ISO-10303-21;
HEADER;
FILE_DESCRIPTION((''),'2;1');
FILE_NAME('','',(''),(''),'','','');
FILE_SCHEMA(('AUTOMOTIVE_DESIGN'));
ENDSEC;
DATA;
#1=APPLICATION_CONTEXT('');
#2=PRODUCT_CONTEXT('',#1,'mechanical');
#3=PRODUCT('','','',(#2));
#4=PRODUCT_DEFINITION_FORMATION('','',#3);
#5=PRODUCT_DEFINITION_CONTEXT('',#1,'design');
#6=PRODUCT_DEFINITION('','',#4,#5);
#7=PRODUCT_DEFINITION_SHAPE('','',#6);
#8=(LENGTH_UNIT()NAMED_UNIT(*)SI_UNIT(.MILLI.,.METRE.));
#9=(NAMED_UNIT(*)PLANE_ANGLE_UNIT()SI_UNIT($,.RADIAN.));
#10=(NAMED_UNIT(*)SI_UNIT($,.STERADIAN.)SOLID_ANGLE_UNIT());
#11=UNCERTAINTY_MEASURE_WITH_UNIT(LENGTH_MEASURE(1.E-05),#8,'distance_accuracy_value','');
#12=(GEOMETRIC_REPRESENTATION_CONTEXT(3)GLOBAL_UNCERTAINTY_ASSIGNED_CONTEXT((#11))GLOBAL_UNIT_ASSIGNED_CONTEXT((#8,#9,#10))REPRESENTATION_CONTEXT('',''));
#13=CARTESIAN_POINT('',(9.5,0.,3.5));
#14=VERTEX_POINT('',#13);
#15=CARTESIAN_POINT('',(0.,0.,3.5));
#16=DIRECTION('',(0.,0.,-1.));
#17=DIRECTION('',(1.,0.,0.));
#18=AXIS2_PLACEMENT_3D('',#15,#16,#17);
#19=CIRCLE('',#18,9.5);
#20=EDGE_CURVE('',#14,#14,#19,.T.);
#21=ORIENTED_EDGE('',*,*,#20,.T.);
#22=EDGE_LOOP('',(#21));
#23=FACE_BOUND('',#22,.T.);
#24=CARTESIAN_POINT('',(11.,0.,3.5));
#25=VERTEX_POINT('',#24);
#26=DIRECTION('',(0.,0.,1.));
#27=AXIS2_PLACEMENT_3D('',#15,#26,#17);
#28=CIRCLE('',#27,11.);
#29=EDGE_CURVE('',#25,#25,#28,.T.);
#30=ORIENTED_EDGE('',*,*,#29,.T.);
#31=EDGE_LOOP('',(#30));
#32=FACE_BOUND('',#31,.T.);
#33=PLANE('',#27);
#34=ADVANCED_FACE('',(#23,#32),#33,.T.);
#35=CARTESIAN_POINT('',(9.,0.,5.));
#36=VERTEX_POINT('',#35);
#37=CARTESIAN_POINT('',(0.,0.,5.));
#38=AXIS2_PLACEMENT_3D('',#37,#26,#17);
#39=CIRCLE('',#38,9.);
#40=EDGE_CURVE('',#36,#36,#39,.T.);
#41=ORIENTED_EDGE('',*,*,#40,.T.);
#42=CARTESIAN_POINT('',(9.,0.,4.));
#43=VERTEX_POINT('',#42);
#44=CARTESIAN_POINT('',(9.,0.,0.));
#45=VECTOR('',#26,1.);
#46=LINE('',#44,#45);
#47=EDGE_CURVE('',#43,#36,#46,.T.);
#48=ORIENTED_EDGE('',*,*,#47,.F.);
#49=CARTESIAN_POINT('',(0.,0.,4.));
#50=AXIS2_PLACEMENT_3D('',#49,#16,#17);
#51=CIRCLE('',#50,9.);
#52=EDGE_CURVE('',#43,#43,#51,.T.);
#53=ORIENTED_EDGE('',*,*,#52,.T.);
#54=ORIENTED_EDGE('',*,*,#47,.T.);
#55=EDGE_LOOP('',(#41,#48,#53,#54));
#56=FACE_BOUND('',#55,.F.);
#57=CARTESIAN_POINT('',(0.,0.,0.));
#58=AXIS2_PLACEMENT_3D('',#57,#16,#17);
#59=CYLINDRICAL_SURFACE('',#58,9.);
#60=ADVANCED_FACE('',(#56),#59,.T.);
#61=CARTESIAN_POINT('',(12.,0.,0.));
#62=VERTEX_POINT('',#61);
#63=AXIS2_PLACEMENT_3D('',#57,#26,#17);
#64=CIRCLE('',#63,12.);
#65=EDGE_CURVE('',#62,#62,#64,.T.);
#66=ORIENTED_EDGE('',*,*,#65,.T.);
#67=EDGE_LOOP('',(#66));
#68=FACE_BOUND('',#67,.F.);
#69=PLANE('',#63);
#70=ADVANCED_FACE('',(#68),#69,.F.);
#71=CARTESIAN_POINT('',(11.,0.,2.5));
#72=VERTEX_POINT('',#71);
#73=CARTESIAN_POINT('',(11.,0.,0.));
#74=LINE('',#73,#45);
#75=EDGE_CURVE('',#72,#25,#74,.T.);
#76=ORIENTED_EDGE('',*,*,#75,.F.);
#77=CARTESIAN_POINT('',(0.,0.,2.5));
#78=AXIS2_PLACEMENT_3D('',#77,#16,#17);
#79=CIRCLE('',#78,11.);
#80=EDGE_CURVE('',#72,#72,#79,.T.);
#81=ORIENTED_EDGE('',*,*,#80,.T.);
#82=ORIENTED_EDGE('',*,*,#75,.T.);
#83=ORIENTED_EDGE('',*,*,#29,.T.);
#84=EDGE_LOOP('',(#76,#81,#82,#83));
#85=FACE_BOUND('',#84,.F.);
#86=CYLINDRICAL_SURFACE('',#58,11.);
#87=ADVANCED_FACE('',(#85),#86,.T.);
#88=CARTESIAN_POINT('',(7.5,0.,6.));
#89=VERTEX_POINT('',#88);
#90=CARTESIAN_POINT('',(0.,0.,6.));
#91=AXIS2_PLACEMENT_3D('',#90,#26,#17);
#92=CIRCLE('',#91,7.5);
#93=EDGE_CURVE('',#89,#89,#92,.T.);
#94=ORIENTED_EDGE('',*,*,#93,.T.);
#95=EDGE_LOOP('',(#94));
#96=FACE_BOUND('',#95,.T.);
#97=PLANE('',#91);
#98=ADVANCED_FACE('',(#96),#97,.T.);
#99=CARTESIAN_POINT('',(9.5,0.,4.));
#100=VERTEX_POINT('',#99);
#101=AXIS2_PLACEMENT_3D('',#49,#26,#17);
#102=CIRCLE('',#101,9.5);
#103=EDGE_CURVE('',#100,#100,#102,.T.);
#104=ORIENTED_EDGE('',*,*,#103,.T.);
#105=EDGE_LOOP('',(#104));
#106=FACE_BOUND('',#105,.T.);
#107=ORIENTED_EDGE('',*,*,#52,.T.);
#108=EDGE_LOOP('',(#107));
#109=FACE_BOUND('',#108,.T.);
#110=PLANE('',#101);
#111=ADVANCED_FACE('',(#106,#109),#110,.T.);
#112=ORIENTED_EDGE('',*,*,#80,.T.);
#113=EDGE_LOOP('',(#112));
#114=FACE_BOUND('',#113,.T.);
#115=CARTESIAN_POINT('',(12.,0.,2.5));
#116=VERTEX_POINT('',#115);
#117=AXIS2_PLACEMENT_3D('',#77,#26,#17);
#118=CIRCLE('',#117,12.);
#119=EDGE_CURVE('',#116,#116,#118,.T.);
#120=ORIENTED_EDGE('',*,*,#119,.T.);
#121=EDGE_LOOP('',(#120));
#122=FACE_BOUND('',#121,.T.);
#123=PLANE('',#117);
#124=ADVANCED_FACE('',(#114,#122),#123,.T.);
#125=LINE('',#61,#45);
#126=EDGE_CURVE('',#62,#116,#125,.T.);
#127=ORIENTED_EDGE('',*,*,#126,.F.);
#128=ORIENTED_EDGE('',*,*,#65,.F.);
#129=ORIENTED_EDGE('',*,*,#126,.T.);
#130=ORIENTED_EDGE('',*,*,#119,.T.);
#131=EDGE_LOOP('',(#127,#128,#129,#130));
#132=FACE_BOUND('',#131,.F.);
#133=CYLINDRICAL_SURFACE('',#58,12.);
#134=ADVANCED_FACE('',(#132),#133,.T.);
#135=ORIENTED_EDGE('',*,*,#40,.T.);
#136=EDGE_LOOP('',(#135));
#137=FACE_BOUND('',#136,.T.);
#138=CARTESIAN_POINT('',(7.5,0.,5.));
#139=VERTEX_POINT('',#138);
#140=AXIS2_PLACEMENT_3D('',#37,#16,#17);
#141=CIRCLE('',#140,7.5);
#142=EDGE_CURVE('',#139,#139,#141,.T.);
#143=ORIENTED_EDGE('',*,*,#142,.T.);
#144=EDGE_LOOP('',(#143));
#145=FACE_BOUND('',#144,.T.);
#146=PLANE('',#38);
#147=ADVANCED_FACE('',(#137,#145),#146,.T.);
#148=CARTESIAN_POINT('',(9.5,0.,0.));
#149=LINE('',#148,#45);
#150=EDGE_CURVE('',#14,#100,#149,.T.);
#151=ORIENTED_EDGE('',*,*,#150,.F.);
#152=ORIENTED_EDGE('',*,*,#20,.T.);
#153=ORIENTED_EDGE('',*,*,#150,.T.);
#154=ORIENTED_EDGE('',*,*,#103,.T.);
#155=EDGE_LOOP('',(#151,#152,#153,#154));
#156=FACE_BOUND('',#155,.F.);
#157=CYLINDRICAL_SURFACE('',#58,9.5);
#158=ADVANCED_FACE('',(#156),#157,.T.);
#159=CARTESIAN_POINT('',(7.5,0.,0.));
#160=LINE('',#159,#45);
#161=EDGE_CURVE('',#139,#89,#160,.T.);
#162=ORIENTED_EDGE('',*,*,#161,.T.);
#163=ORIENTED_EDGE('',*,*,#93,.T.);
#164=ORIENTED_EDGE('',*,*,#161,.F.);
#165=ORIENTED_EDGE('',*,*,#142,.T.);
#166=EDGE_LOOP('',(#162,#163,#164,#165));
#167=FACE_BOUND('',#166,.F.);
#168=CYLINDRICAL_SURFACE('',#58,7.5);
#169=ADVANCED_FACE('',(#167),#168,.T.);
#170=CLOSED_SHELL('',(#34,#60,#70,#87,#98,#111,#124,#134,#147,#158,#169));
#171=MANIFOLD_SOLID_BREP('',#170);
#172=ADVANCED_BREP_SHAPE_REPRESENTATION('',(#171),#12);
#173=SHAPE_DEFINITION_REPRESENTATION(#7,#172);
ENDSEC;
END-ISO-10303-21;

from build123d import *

# Parameters (mm, degrees)
SKETCH001_R      = 9
EXTRUDE001_DEPTH = 5
SKETCH002_R      = 9.5
EXTRUDE002_DEPTH = 4
SKETCH003_R      = 11
EXTRUDE003_DEPTH = 3.5
SKETCH004_R      = 12
EXTRUDE004_DEPTH = 2.5
SKETCH_R         = 7.5
EXTRUDE_DEPTH    = 6


with BuildPart() as extrude001:
    # Sketch001 → Extrude001 (new body)
    with BuildSketch(Plane.XY):
        Circle(SKETCH001_R)
    extrude(amount=EXTRUDE001_DEPTH)


with BuildPart() as extrude002:
    # Sketch002 → Extrude002 (new body)
    with BuildSketch(Plane.XY):
        Circle(SKETCH002_R)
    extrude(amount=EXTRUDE002_DEPTH)


with BuildPart() as extrude003:
    # Sketch003 → Extrude003 (new body)
    with BuildSketch(Plane.XY):
        Circle(SKETCH003_R)
    extrude(amount=EXTRUDE003_DEPTH)


with BuildPart() as extrude004:
    # Sketch004 → Extrude004 (new body)
    with BuildSketch(Plane.XY):
        Circle(SKETCH004_R)
    extrude(amount=EXTRUDE004_DEPTH)


with BuildPart() as fusion:
    # Sketch → Extrude (new body)
    with BuildSketch(Plane.XY):
        Circle(SKETCH_R)
    extrude(amount=EXTRUDE_DEPTH)

    # Fusion: union Extrude001, Extrude002, Extrude003, Extrude004
    add(extrude001.part)
    add(extrude002.part)
    add(extrude003.part)
    add(extrude004.part)


solid = fusion.part
